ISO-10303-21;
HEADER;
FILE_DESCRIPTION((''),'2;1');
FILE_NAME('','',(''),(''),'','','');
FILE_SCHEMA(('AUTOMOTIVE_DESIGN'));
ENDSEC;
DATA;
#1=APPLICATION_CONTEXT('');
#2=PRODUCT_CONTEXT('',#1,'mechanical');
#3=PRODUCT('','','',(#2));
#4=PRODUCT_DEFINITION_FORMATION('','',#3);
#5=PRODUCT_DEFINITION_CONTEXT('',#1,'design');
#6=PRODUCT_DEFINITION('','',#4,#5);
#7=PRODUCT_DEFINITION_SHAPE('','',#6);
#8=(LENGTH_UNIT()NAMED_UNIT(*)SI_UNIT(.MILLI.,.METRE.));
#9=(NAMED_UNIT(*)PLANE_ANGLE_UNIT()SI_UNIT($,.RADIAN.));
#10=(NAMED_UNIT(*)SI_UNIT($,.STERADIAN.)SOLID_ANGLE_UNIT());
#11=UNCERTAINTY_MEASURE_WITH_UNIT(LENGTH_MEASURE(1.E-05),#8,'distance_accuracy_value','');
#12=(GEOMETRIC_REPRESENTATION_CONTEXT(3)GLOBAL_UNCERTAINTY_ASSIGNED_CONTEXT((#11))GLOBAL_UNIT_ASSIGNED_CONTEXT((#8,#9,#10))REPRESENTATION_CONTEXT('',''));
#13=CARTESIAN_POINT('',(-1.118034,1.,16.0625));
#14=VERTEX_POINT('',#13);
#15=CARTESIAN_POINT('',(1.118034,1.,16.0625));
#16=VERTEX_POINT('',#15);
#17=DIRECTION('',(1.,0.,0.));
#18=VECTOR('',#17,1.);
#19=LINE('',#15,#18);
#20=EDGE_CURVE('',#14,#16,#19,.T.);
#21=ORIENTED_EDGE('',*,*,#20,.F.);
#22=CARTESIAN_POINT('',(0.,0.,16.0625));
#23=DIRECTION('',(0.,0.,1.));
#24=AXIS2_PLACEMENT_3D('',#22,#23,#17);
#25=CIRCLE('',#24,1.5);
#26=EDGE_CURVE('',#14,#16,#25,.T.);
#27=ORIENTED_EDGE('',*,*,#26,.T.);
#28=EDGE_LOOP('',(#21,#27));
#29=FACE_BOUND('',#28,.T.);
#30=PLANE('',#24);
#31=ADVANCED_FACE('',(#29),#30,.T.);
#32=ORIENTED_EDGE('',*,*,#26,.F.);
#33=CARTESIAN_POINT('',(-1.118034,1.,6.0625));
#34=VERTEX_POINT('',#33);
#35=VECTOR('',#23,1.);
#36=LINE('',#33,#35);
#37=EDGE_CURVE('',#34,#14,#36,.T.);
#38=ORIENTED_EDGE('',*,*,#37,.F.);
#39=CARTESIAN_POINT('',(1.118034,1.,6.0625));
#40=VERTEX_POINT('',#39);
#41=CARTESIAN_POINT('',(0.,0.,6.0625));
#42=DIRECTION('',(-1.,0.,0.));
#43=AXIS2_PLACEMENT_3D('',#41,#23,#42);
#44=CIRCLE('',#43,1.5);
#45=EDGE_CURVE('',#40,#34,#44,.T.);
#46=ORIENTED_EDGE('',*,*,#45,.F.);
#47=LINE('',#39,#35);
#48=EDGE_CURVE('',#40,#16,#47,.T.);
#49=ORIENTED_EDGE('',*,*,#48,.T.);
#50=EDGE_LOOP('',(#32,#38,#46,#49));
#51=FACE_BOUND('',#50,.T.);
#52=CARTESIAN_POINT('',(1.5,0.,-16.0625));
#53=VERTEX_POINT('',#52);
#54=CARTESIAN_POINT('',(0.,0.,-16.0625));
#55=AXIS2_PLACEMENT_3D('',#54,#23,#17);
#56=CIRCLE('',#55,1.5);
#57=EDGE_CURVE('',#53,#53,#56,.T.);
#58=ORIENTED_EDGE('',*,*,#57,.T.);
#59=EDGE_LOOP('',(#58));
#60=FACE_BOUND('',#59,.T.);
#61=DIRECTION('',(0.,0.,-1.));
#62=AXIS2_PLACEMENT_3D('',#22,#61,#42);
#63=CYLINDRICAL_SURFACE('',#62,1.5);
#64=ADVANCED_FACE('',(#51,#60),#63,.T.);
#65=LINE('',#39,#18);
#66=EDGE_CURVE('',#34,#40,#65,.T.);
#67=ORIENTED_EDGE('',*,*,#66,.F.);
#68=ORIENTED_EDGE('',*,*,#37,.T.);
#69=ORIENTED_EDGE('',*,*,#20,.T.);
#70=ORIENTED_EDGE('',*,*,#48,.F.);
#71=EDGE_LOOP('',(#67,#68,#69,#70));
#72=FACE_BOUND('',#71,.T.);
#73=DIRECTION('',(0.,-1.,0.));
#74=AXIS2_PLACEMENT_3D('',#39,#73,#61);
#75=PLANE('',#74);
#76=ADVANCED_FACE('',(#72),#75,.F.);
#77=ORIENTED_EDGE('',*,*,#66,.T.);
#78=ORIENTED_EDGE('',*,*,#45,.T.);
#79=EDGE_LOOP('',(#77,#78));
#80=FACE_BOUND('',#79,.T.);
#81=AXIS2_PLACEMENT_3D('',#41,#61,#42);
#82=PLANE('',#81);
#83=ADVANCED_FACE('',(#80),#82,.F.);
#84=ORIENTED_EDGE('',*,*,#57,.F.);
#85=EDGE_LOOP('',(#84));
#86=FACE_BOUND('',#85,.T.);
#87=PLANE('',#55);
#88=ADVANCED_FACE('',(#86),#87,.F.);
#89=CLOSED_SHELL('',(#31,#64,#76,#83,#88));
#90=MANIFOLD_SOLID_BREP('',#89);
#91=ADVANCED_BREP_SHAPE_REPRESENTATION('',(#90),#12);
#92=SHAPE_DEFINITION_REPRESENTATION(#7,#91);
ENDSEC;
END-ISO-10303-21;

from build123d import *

# Parameters (mm, degrees)
SKETCH1_R           = 1.5
BOSS_EXTRUDE1_DEPTH = 16.0625
CUT_EXTRUDE1_DEPTH  = 10


with BuildPart() as part:
    # Sketch1 → Boss-Extrude1 (new body, symmetric)
    with BuildSketch(Plane.XY):
        Circle(SKETCH1_R)
    extrude(amount=BOSS_EXTRUDE1_DEPTH, both=True)

    # Sketch2 → Cut-Extrude1 (cut)
    with BuildSketch(Plane.XY.offset(16.0625)):
        with BuildLine():
            Line((1.118033989, 1), (-1.118033989, 1))
            ThreePointArc((-1.118033989, 1), (0, 1.5), (1.118033989, 1))
        make_face()
    extrude(amount=-CUT_EXTRUDE1_DEPTH, mode=Mode.SUBTRACT)


solid = part.part
